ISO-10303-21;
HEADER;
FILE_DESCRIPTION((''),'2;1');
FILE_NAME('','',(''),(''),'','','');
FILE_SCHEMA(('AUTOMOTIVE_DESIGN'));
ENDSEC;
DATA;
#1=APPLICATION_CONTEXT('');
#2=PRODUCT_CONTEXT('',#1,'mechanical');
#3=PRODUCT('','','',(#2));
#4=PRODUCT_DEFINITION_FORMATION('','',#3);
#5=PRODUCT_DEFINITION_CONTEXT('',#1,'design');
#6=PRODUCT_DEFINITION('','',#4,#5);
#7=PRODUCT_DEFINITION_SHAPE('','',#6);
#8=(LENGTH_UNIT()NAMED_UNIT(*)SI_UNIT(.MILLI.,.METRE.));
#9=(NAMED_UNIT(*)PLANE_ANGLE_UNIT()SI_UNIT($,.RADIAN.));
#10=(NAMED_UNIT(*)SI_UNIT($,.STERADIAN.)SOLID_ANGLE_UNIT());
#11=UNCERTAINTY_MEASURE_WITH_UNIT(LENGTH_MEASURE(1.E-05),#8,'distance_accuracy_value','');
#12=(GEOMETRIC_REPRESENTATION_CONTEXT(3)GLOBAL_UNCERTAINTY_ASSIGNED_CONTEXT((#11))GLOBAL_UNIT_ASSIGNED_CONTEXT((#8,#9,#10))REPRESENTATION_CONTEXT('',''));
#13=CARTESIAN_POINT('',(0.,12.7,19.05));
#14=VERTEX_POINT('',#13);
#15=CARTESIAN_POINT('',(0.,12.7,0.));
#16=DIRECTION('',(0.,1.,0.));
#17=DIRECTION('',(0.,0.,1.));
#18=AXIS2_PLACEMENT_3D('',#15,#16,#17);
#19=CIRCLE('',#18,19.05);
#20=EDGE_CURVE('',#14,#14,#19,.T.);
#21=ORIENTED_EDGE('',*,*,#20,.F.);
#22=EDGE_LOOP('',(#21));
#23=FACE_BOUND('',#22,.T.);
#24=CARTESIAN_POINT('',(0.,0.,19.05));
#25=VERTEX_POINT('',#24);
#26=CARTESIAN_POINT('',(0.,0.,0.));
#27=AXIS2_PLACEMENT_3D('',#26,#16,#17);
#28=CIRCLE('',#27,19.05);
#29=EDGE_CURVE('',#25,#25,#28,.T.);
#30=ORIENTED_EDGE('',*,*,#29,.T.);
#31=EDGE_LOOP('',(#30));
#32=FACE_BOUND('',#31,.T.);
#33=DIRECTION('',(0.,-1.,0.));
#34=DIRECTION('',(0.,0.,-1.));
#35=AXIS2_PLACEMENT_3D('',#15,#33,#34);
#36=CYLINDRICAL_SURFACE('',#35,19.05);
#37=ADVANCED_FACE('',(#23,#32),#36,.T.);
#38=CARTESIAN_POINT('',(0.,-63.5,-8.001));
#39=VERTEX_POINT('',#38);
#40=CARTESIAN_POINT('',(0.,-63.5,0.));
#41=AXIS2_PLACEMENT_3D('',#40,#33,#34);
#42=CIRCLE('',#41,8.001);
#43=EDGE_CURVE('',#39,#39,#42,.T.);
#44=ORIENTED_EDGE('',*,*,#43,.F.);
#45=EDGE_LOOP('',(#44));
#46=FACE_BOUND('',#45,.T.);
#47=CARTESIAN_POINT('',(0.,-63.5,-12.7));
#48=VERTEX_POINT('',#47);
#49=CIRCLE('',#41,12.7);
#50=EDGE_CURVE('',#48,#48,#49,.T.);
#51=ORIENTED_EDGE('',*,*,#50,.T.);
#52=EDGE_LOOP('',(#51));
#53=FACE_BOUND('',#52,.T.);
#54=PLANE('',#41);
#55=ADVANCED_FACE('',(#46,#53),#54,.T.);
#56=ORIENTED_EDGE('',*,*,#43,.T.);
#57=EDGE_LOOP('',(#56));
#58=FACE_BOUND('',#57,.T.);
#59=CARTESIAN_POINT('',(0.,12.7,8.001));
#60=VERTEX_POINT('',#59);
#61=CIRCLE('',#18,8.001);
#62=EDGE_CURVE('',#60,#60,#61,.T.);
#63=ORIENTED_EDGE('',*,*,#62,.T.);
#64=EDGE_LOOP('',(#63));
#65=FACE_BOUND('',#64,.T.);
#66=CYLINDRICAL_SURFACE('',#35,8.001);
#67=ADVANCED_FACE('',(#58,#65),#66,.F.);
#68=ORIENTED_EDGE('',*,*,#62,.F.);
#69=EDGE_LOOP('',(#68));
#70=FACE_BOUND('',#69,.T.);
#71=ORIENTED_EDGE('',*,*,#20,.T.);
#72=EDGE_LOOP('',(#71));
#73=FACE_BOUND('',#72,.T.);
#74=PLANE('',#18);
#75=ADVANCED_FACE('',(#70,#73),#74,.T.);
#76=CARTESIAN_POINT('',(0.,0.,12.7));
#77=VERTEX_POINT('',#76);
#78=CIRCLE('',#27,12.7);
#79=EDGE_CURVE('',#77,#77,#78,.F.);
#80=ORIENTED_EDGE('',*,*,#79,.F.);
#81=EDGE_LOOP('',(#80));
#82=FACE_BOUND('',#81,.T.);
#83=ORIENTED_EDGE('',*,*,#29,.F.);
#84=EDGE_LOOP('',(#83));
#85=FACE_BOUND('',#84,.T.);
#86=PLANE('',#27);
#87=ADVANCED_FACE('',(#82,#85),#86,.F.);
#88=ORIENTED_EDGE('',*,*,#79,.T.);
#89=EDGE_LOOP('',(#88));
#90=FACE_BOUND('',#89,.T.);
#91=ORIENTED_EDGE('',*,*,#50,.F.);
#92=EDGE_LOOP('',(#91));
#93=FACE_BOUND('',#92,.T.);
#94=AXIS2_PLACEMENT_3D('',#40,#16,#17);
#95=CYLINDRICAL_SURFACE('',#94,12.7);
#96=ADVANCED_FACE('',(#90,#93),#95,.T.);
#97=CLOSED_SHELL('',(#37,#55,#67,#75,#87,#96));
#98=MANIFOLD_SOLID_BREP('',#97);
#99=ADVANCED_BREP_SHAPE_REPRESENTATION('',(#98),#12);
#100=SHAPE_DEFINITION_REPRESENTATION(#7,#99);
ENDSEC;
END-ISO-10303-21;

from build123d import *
from build123d.topology import SkipClean

# Parameters (mm, degrees)
SKETCH1_R           = 19.05
SKETCH1_R_2         = 8.001
BOSS_EXTRUDE2_DEPTH = 12.7
BOSS_EXTRUDE3_START = 63.5
SKETCH2_R           = 12.7
SKETCH2_R_2         = 8.001
BOSS_EXTRUDE3_DEPTH = 63.5


with BuildPart() as part:
    # Sketch1 → Boss-Extrude2 (new body)
    with BuildSketch(Plane(origin=(0, 0, 0), x_dir=(1, 0, 0), z_dir=(0, 1, 0))):
        with Locations(Location((0, 0, 0), (0, 0, 270))):
            Circle(SKETCH1_R)
        with Locations(Location((0, 0, 0), (0, 0, 270))):
            Circle(SKETCH1_R_2, mode=Mode.SUBTRACT)
    extrude(amount=BOSS_EXTRUDE2_DEPTH)

    # Sketch2 → Boss-Extrude3 (add)
    with SkipClean():  # the faces are left unmerged after this step: merging them gives an invalid solid
        with BuildSketch(Plane.XZ.offset(BOSS_EXTRUDE3_START)):
            with Locations(Location((0, 0, 0), (0, 0, 90))):
                Circle(SKETCH2_R)
            with Locations(Location((0, 0, 0), (0, 0, 270))):
                Circle(SKETCH2_R_2, mode=Mode.SUBTRACT)
        extrude(amount=-BOSS_EXTRUDE3_DEPTH)


solid = part.part
